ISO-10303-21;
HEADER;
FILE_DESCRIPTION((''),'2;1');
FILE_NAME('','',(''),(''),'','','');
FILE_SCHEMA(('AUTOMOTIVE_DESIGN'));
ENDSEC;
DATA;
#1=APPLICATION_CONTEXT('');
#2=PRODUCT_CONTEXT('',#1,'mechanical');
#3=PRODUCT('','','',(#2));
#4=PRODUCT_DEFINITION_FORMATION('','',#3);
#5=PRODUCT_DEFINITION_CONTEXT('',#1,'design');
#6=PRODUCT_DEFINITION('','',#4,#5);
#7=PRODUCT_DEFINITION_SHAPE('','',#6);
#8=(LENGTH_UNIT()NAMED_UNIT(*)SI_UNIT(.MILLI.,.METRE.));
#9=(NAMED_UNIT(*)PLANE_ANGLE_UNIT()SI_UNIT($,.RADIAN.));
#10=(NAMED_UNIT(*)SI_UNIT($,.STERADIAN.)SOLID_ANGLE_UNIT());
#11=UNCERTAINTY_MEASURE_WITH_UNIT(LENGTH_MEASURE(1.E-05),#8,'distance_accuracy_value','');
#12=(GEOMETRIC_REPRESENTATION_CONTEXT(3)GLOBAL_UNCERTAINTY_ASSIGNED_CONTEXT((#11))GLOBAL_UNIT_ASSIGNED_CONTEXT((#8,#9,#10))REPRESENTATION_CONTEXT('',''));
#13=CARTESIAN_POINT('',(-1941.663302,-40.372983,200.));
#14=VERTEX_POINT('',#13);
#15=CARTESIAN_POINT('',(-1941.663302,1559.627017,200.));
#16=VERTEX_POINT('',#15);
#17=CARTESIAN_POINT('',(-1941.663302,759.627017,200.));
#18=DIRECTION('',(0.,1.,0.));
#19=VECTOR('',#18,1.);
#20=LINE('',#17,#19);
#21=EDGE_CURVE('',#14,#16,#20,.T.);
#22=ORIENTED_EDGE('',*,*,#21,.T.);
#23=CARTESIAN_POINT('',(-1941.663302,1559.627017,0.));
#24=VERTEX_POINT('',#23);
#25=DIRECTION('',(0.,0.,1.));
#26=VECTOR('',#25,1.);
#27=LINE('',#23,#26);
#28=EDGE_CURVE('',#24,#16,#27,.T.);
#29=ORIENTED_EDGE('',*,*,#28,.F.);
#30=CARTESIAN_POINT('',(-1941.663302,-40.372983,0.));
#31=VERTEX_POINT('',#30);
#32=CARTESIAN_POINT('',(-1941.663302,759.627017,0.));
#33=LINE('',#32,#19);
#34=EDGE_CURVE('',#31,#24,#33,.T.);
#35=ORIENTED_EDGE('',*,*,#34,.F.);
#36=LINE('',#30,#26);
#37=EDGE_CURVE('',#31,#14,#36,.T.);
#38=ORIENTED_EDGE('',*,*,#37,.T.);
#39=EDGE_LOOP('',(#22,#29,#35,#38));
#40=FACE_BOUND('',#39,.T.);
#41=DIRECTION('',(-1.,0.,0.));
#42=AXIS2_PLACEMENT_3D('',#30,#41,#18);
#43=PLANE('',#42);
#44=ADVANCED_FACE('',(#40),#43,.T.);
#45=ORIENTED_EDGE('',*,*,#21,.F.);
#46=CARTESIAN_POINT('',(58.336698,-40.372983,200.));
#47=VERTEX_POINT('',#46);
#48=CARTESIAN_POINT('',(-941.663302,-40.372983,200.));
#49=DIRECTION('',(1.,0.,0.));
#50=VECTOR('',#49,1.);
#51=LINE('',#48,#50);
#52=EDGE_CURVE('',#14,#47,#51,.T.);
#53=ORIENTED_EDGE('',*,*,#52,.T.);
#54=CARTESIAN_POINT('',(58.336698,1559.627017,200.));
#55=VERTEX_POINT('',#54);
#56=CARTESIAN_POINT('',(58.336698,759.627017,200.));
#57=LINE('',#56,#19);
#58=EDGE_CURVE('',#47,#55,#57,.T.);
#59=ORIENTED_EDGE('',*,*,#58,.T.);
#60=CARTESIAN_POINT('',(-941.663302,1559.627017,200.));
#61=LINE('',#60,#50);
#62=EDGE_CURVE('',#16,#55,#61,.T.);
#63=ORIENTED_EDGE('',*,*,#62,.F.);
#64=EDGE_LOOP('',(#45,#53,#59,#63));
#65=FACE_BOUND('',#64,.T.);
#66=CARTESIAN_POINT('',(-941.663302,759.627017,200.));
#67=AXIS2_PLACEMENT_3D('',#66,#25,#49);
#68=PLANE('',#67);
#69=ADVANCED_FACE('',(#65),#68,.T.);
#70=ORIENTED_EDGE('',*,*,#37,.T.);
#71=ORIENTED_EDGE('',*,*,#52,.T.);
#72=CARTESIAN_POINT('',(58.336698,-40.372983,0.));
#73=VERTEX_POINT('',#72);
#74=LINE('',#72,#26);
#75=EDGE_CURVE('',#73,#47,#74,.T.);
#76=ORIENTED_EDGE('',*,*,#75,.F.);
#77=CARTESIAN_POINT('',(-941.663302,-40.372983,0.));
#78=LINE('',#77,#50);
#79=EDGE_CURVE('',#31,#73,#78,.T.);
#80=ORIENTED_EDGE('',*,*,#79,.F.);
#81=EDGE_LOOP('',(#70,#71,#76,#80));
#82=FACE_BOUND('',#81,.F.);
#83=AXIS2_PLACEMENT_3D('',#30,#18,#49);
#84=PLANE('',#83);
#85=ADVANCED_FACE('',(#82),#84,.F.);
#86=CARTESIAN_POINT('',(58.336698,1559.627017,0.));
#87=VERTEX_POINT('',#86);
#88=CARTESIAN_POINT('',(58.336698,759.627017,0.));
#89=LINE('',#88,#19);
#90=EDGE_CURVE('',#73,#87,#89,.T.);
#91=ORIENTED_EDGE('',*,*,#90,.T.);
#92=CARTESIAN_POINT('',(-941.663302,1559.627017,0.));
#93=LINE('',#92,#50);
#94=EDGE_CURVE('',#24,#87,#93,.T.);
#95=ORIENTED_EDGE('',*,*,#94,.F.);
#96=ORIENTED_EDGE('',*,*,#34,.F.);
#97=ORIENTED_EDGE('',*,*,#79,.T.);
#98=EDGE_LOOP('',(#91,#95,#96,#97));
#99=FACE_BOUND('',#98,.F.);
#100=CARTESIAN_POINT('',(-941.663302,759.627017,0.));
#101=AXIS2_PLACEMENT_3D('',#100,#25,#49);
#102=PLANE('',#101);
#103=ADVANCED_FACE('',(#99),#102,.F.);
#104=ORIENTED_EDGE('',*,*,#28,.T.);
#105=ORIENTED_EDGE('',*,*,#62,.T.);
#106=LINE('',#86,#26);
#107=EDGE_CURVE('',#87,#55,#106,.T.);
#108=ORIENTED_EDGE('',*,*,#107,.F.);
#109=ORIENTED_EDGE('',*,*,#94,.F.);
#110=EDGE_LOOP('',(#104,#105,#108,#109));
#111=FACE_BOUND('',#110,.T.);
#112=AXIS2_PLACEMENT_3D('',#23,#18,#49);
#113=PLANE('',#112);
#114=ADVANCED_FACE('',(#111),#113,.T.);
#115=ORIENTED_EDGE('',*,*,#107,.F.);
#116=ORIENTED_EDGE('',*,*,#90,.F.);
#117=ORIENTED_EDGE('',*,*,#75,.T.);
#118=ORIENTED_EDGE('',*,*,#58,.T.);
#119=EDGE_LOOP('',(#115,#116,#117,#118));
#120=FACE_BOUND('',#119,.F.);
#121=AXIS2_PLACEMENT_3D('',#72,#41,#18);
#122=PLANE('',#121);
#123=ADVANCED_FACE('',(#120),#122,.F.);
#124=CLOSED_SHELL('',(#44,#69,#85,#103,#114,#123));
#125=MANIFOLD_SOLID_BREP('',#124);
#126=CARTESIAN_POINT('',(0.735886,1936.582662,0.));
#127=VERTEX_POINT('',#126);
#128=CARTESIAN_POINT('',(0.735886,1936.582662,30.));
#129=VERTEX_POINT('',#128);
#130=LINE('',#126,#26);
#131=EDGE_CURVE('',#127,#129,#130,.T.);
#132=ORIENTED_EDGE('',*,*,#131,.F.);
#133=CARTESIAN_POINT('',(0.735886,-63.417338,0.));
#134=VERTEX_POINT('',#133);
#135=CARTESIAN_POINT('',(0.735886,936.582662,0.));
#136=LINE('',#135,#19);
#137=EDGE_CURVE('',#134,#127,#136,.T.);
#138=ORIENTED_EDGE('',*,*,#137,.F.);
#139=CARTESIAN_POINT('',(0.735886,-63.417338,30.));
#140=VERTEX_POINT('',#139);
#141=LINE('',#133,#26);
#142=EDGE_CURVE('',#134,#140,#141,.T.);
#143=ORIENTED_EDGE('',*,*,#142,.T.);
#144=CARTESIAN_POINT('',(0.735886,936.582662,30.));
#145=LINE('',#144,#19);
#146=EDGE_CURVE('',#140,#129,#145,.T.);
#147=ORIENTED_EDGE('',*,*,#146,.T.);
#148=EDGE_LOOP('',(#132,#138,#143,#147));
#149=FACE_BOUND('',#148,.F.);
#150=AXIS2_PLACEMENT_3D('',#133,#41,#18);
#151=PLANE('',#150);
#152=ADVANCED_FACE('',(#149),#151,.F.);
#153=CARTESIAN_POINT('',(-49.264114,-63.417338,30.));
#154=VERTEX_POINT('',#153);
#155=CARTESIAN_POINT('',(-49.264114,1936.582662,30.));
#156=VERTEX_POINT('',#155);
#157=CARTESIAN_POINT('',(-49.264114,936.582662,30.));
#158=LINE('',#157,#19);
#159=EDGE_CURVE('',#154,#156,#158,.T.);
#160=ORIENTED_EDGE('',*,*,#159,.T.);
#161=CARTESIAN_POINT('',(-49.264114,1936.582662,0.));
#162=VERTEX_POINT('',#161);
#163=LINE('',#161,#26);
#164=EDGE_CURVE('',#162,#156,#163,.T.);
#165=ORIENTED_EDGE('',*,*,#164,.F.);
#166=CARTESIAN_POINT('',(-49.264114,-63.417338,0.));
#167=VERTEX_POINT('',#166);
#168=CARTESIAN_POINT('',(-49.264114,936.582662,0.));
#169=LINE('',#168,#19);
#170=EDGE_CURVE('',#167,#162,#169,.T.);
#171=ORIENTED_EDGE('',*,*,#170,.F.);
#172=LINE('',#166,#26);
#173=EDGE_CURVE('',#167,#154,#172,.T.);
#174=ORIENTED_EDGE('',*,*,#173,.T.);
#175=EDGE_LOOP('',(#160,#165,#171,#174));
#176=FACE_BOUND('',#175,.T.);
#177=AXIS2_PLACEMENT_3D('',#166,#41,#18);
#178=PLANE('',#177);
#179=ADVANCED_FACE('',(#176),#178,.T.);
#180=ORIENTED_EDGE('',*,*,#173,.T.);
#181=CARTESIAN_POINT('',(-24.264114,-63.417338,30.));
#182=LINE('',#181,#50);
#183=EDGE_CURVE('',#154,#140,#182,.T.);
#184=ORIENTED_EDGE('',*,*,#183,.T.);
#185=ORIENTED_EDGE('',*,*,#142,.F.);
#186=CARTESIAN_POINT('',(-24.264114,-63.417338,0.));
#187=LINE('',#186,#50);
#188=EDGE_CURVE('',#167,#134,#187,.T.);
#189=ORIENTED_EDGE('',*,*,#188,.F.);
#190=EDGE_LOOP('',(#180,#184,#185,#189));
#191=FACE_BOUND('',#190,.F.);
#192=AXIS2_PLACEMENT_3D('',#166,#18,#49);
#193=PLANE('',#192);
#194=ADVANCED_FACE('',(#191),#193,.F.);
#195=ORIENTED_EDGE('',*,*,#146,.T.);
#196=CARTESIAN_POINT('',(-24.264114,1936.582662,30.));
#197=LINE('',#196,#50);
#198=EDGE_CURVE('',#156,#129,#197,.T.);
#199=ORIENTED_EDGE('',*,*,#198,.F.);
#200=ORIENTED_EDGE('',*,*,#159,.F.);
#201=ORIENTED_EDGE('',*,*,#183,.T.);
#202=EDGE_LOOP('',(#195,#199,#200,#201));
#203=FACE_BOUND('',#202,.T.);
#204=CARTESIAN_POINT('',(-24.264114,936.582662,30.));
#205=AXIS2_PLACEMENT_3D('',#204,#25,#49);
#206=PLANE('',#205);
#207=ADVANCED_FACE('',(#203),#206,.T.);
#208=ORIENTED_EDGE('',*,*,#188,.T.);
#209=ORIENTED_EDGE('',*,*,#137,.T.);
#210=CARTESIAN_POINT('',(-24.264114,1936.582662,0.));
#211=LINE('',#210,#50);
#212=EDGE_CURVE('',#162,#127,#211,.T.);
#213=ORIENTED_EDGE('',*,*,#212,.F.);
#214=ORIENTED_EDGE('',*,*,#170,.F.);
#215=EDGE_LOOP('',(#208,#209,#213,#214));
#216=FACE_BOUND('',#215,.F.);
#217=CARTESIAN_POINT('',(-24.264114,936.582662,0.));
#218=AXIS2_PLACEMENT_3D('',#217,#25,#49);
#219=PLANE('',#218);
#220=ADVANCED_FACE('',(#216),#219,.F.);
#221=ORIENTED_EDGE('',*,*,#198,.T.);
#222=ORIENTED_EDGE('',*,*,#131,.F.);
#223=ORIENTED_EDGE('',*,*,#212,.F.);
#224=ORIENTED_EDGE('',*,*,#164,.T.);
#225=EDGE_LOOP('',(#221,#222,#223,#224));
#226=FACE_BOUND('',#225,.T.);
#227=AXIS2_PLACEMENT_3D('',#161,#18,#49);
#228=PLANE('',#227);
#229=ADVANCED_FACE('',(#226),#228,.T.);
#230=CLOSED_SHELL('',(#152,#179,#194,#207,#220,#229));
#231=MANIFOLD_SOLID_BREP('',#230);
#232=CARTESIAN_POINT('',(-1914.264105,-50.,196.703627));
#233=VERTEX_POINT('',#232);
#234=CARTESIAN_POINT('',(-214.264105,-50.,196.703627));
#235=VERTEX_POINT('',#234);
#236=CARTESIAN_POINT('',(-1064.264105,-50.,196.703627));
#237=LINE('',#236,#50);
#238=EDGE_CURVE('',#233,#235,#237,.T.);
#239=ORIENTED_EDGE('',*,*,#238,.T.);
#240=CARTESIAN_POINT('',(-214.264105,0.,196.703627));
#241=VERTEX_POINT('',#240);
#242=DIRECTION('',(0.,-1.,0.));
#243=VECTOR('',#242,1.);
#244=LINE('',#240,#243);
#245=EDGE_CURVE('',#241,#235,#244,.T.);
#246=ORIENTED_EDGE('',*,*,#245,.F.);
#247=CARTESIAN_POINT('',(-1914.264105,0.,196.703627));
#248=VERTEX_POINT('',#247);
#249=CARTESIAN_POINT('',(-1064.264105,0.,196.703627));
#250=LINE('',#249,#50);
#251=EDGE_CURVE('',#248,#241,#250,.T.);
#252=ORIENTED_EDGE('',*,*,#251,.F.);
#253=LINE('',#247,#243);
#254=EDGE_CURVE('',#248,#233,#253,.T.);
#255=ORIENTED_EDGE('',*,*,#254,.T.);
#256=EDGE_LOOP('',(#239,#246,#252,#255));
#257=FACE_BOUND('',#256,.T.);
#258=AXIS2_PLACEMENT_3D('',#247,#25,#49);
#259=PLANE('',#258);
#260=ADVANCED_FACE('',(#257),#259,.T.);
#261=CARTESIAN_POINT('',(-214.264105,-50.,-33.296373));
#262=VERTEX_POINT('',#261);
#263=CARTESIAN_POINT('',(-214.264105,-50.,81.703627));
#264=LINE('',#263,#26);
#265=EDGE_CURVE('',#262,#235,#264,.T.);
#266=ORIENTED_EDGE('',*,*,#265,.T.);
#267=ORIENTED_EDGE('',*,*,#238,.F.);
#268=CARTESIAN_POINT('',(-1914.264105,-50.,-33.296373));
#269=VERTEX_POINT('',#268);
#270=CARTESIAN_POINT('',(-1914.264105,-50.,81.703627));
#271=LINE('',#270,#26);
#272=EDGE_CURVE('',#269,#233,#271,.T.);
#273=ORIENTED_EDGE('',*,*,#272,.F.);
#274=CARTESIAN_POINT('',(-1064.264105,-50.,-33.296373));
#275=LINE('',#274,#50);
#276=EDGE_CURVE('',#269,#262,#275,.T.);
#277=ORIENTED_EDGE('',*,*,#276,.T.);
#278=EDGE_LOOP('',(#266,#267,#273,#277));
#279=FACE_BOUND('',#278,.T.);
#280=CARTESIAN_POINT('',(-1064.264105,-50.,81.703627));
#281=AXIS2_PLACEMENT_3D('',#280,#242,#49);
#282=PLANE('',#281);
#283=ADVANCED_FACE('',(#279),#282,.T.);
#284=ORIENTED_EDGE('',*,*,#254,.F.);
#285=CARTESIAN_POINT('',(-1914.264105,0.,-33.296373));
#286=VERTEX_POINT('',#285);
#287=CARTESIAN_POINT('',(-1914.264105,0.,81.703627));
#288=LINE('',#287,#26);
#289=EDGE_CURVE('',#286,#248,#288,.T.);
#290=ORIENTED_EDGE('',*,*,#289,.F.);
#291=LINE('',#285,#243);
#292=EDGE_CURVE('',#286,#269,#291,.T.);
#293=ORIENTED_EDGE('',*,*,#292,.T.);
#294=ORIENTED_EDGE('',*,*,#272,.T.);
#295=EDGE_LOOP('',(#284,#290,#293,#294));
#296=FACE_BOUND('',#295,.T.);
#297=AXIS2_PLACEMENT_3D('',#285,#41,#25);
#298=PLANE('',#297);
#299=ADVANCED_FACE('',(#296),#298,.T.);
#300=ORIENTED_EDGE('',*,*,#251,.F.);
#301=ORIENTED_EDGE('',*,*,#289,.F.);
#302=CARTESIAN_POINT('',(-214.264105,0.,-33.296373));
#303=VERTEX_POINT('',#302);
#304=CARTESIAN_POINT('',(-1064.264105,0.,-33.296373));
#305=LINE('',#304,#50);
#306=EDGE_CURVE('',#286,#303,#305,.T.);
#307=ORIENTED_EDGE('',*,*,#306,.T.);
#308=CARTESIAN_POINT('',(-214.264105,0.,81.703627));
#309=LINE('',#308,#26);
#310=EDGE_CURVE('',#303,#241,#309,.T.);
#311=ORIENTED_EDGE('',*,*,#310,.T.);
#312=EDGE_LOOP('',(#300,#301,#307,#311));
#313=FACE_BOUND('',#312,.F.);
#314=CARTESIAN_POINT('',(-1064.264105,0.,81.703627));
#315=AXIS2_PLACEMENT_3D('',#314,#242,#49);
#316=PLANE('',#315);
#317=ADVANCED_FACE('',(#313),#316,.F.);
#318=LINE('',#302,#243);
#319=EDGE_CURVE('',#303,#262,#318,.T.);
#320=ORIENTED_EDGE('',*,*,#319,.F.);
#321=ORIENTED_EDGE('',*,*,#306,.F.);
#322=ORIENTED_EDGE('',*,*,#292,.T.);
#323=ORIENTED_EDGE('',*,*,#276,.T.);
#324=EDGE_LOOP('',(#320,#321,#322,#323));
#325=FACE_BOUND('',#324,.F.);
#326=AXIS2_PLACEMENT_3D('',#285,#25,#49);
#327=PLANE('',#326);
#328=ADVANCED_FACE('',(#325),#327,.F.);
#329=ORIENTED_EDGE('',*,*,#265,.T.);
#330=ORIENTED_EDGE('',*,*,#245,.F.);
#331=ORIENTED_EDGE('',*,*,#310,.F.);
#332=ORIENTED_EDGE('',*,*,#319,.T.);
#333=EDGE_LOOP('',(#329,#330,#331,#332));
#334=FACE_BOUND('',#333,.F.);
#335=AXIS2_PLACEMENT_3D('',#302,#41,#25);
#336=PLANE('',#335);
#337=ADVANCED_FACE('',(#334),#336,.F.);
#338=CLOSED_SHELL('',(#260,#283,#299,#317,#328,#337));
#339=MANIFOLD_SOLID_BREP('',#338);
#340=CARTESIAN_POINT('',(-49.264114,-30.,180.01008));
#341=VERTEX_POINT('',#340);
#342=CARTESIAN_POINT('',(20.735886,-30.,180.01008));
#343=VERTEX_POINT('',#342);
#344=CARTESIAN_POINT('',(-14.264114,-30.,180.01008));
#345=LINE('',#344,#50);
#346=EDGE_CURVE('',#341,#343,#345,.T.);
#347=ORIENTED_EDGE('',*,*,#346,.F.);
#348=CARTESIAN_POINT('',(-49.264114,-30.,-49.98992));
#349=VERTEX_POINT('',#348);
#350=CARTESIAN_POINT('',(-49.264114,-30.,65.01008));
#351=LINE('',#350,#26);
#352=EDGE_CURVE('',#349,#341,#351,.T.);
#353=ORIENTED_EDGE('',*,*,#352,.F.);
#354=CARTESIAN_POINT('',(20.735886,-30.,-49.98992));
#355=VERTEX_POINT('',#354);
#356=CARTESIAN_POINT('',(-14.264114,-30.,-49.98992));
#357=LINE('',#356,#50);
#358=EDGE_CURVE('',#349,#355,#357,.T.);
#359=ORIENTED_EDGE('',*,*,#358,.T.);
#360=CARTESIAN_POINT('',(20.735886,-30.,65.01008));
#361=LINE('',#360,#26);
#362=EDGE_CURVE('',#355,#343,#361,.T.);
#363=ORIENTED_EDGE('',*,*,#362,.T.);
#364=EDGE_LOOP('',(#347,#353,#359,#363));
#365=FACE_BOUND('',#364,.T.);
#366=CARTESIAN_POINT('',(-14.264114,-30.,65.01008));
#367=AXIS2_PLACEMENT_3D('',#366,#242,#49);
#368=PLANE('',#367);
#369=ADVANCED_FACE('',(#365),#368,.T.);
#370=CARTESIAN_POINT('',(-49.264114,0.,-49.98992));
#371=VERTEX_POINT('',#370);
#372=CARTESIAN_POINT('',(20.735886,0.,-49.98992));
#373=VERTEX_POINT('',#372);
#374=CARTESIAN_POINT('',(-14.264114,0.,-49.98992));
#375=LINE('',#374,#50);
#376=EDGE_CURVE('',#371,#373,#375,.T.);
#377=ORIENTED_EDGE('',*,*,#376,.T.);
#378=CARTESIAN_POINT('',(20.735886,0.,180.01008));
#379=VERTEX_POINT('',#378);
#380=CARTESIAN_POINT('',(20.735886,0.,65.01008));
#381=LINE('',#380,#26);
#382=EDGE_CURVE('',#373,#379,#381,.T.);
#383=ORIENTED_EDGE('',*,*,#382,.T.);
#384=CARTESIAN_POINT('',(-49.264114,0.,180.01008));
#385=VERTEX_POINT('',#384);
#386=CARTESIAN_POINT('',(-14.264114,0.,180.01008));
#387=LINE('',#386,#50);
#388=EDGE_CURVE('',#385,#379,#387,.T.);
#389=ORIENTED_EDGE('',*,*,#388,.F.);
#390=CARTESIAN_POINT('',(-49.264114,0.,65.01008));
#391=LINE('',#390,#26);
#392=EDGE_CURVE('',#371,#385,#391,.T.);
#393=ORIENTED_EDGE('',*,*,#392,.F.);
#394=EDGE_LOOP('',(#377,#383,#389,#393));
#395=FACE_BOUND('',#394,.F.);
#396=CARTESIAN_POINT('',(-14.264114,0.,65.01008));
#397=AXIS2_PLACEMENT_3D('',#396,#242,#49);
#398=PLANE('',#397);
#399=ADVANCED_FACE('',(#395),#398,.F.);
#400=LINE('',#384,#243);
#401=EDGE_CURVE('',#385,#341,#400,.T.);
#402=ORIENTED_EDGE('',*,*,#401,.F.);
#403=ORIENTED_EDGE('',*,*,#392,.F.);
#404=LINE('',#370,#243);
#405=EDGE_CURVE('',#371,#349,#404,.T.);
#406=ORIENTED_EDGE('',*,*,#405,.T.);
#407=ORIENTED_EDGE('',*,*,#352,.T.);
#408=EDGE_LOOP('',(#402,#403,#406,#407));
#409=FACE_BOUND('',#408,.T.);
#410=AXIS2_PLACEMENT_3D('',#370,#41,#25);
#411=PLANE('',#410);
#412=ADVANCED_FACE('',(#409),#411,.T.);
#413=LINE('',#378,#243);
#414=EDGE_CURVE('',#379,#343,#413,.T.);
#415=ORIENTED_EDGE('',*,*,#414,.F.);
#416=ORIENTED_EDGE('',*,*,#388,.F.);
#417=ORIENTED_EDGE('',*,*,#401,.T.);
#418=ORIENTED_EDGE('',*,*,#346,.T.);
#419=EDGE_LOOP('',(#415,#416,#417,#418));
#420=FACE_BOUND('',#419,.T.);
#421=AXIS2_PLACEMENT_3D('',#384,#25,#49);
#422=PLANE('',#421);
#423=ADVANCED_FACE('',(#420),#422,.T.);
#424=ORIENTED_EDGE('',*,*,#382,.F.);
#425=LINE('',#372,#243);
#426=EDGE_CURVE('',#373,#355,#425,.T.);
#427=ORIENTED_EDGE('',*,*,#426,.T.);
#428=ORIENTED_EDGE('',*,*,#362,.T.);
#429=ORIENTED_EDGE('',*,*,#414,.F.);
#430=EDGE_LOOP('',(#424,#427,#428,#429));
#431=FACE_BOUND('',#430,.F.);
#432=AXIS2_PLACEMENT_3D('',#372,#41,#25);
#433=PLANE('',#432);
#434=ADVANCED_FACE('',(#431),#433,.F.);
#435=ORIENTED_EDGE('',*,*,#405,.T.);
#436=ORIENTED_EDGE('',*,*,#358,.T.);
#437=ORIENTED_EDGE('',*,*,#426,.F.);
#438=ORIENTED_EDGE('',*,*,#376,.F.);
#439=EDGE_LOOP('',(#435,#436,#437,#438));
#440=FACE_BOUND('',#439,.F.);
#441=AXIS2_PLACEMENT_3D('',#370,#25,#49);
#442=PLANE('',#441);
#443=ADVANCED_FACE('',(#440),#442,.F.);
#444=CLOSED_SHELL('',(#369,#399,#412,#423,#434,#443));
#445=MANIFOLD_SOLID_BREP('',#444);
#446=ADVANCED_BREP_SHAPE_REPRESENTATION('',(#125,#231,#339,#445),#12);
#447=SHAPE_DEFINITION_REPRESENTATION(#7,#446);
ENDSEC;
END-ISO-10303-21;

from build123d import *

# Parameters (mm, degrees)
F0_W     = 1700
F0_H     = 230
F1_DEPTH = 50
F2_W     = 50
F2_H     = 2000
F3_DEPTH = 30
F4_W     = 70
F4_H     = 230
F5_DEPTH = 30
F6_W     = 2000
F6_H     = 1600
F7_DEPTH = 200


with BuildPart() as f1:
    # F0 (on Front) → F1 (new body)
    with BuildSketch(Plane.XZ):
        with Locations((-1064.264105, 81.703627)):
            Rectangle(F0_W, F0_H)
    extrude(amount=F1_DEPTH)


with BuildPart() as f3:
    # F2 (on Top) → F3 (new body)
    with BuildSketch(Plane.XY):
        with Locations((-24.264114, 936.582662)):
            Rectangle(F2_W, F2_H)
    extrude(amount=F3_DEPTH)


with BuildPart() as f5:
    # F4 (on Front) → F5 (new body)
    with BuildSketch(Plane.XZ):
        with Locations((-14.264114, 65.01008)):
            Rectangle(F4_W, F4_H)
    extrude(amount=F5_DEPTH)


with BuildPart() as f7:
    # F6 (on Top) → F7 (new body)
    with BuildSketch(Plane.XY):
        with Locations((-941.663302, 759.627017)):
            Rectangle(F6_W, F6_H)
    extrude(amount=F7_DEPTH)


solid = Compound([f1.part, f3.part, f5.part, f7.part])
